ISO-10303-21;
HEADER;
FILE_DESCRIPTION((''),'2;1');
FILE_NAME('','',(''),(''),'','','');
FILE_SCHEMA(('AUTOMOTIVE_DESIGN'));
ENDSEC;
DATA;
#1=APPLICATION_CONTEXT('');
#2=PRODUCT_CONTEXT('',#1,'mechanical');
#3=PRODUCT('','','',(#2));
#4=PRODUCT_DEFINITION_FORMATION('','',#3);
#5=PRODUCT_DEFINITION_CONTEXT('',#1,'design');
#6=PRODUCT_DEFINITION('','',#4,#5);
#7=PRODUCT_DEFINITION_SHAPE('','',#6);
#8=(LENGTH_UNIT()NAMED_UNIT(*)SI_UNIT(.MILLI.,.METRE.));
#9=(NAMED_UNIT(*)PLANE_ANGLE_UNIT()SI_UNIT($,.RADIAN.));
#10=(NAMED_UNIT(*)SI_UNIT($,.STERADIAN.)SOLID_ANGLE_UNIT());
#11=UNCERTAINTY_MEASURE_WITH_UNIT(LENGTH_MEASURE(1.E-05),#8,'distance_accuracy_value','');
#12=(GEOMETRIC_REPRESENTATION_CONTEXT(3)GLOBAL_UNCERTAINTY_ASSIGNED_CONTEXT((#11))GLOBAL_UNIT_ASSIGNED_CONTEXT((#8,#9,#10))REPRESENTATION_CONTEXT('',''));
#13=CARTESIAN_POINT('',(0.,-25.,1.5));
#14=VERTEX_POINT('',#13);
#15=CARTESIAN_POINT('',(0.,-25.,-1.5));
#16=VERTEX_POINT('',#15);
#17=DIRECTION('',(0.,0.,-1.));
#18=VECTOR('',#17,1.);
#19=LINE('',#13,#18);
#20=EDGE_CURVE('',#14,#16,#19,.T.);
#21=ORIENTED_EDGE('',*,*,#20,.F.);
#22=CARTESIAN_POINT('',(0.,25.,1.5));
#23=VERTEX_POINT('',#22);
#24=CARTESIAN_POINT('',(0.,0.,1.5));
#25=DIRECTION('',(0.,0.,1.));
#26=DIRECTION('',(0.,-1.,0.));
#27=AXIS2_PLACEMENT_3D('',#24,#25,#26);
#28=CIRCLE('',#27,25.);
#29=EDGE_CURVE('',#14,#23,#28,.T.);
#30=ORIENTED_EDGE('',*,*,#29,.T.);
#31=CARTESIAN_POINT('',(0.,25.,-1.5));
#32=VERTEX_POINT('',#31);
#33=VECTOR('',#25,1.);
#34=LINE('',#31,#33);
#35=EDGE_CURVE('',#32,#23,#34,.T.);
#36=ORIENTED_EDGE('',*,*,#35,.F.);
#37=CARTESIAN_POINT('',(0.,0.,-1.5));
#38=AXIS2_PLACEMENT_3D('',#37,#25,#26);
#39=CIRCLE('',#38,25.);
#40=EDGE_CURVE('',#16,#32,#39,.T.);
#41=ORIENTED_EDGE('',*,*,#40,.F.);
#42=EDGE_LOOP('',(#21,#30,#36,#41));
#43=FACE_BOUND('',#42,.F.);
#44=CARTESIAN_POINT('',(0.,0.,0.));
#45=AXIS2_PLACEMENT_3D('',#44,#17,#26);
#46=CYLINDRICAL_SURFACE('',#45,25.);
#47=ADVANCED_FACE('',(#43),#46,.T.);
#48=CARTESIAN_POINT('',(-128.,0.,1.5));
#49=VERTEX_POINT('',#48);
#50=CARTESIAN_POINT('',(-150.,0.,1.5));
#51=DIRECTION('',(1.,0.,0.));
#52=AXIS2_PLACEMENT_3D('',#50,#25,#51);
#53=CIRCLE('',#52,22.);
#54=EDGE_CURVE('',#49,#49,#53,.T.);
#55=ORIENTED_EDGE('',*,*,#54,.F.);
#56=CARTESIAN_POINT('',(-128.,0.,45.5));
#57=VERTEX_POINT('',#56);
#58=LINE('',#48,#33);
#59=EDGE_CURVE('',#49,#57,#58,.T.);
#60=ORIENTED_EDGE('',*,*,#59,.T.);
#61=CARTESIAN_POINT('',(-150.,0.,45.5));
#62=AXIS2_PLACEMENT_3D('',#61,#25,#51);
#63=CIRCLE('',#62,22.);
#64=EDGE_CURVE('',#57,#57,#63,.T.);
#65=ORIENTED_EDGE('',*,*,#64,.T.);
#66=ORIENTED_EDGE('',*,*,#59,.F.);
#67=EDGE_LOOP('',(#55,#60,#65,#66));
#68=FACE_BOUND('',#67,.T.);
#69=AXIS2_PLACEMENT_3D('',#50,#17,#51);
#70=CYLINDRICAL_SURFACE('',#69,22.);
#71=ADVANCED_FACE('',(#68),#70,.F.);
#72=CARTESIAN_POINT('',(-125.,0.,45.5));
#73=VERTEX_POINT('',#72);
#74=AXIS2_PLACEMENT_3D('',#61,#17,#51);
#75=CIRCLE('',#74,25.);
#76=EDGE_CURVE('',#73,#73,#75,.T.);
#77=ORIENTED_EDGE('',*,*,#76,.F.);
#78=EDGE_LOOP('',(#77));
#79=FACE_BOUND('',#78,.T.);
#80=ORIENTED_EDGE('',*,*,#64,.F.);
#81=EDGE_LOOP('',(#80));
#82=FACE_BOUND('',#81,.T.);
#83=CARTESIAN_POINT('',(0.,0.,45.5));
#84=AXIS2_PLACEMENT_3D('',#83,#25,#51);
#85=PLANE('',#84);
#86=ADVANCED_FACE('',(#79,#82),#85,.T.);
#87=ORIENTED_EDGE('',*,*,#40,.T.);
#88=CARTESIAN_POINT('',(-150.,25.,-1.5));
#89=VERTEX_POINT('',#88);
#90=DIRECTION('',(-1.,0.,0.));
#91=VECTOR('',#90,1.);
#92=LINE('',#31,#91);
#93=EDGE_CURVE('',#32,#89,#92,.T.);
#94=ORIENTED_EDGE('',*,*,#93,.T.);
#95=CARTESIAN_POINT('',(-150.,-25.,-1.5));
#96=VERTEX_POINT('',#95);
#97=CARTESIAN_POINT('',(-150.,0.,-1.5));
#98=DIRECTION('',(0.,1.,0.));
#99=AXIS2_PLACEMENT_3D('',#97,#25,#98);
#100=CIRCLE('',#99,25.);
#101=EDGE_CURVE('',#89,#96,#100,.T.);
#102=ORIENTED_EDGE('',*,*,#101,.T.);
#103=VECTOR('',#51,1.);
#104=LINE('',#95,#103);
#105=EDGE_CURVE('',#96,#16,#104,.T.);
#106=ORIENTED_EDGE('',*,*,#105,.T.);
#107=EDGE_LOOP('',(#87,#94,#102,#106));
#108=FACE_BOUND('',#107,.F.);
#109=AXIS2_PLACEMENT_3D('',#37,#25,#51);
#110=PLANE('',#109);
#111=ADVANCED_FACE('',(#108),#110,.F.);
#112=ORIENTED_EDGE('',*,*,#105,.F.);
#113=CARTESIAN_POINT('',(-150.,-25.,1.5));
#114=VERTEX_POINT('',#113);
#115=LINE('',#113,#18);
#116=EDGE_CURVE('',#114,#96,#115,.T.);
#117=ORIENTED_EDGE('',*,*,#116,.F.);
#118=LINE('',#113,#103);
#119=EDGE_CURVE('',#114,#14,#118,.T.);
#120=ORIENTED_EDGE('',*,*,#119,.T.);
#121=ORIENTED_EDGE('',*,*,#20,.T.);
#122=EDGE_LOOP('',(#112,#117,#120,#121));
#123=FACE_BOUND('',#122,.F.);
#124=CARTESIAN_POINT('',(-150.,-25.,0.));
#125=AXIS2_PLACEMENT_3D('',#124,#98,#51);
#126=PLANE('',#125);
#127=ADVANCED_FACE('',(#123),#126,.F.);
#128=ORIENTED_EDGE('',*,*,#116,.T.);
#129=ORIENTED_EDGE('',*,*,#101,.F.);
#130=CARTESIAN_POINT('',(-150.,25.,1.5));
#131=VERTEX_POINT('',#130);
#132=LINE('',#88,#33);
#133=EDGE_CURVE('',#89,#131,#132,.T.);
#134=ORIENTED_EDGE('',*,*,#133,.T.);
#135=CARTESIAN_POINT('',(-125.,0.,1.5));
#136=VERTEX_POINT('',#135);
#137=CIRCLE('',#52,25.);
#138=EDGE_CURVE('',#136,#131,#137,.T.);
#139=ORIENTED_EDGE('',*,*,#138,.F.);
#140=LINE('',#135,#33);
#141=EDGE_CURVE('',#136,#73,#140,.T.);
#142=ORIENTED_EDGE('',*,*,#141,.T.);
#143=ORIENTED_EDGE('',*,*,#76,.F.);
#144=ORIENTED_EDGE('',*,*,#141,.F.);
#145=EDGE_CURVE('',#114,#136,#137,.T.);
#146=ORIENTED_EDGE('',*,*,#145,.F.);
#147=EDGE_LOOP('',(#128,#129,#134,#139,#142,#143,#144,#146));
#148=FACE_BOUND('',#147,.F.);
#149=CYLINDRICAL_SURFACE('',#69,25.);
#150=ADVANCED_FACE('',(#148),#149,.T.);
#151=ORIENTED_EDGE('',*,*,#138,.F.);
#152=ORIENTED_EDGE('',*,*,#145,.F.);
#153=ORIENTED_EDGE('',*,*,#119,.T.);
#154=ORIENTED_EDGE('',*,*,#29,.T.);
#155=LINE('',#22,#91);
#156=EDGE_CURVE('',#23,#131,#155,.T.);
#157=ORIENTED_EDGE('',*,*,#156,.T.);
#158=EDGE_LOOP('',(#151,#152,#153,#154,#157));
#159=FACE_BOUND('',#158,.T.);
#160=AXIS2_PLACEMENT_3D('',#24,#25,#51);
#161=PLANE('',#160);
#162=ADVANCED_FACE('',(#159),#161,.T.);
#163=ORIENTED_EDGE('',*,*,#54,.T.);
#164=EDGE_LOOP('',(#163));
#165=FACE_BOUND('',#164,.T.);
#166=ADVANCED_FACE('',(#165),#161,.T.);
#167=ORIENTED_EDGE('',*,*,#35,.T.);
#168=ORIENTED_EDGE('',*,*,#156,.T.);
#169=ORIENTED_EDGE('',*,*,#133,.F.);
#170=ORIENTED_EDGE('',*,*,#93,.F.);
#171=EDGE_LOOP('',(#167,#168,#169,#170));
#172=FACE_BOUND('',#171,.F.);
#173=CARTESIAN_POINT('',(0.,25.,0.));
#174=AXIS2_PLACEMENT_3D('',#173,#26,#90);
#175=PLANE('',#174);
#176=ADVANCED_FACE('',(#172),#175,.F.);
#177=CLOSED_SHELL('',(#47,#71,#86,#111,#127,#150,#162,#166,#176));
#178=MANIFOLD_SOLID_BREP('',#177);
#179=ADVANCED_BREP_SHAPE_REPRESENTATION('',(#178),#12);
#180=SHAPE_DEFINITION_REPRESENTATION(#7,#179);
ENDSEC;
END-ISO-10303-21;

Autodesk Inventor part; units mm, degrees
ref_plane "YZ Plane" through (0, 0, 0) normal (1, 0, 0) x (0, 1, 0)
ref_plane "XZ Plane" through (0, 0, 0) normal (0, 1, 0) x (-1, 0, 0)
ref_plane "XY Plane" through (0, 0, 0) normal (0, 0, 1) x (1, 0, 0)
sketch "草圖1" plane through (0, 0, 0) normal (0, 0, 1) x (1, 0, 0)
  line L0 (0, 0) -> (-150, 0) construction
  line L1 (0, 25) -> (-150, 25)
  line L2 (-150, -25) -> (0, -25)
  arc A0 (0, -25) -> (0, 25) centre (0, 0) ccw
  arc A1 (-150, 25) -> (-150, -25) centre (-150, 0) ccw
  point P0 (-75, 0)
  point P1 (25, 0)
  point P2 (-175, 0)
  dimension "d0" = 50
  dimension "d1" = 200
extrude "擠出1" add sketch "草圖1" along normal mid plane 3
sketch "草圖2" plane through (0, 0, 1.5) normal (0, 0, 1) x (1, 0, 0)
  line L0 (-102.7167, -2.8476) -> (-84.8176, -2.8476) construction
  line L1 (-84.8176, -2.8476) -> (-84.8176, -14.238) construction
  line L2 (-84.8176, -14.238) -> (-102.7167, -14.238) construction
  line L3 (-102.7167, -14.238) -> (-102.7167, -2.8476) construction
  point P0 (0, 0)
sketch "草圖3" plane through (0, 0, 1.5) normal (0, 0, 1) x (1, 0, 0)
  arc A0 (-150, 25) -> (-150, -25) centre (-150, 0) ccw projected
  circle A1 centre (-150, 0) radius 25
  circle A2 centre (-150, 0) radius 22
  point P0 (0, 0)
  point P1 (-150, -25)
  point P2 (-150, 25)
  dimension "d4" = 3
extrude "擠出2" add sketch "草圖3" along normal blind 44
properties part number "Arm_2"
